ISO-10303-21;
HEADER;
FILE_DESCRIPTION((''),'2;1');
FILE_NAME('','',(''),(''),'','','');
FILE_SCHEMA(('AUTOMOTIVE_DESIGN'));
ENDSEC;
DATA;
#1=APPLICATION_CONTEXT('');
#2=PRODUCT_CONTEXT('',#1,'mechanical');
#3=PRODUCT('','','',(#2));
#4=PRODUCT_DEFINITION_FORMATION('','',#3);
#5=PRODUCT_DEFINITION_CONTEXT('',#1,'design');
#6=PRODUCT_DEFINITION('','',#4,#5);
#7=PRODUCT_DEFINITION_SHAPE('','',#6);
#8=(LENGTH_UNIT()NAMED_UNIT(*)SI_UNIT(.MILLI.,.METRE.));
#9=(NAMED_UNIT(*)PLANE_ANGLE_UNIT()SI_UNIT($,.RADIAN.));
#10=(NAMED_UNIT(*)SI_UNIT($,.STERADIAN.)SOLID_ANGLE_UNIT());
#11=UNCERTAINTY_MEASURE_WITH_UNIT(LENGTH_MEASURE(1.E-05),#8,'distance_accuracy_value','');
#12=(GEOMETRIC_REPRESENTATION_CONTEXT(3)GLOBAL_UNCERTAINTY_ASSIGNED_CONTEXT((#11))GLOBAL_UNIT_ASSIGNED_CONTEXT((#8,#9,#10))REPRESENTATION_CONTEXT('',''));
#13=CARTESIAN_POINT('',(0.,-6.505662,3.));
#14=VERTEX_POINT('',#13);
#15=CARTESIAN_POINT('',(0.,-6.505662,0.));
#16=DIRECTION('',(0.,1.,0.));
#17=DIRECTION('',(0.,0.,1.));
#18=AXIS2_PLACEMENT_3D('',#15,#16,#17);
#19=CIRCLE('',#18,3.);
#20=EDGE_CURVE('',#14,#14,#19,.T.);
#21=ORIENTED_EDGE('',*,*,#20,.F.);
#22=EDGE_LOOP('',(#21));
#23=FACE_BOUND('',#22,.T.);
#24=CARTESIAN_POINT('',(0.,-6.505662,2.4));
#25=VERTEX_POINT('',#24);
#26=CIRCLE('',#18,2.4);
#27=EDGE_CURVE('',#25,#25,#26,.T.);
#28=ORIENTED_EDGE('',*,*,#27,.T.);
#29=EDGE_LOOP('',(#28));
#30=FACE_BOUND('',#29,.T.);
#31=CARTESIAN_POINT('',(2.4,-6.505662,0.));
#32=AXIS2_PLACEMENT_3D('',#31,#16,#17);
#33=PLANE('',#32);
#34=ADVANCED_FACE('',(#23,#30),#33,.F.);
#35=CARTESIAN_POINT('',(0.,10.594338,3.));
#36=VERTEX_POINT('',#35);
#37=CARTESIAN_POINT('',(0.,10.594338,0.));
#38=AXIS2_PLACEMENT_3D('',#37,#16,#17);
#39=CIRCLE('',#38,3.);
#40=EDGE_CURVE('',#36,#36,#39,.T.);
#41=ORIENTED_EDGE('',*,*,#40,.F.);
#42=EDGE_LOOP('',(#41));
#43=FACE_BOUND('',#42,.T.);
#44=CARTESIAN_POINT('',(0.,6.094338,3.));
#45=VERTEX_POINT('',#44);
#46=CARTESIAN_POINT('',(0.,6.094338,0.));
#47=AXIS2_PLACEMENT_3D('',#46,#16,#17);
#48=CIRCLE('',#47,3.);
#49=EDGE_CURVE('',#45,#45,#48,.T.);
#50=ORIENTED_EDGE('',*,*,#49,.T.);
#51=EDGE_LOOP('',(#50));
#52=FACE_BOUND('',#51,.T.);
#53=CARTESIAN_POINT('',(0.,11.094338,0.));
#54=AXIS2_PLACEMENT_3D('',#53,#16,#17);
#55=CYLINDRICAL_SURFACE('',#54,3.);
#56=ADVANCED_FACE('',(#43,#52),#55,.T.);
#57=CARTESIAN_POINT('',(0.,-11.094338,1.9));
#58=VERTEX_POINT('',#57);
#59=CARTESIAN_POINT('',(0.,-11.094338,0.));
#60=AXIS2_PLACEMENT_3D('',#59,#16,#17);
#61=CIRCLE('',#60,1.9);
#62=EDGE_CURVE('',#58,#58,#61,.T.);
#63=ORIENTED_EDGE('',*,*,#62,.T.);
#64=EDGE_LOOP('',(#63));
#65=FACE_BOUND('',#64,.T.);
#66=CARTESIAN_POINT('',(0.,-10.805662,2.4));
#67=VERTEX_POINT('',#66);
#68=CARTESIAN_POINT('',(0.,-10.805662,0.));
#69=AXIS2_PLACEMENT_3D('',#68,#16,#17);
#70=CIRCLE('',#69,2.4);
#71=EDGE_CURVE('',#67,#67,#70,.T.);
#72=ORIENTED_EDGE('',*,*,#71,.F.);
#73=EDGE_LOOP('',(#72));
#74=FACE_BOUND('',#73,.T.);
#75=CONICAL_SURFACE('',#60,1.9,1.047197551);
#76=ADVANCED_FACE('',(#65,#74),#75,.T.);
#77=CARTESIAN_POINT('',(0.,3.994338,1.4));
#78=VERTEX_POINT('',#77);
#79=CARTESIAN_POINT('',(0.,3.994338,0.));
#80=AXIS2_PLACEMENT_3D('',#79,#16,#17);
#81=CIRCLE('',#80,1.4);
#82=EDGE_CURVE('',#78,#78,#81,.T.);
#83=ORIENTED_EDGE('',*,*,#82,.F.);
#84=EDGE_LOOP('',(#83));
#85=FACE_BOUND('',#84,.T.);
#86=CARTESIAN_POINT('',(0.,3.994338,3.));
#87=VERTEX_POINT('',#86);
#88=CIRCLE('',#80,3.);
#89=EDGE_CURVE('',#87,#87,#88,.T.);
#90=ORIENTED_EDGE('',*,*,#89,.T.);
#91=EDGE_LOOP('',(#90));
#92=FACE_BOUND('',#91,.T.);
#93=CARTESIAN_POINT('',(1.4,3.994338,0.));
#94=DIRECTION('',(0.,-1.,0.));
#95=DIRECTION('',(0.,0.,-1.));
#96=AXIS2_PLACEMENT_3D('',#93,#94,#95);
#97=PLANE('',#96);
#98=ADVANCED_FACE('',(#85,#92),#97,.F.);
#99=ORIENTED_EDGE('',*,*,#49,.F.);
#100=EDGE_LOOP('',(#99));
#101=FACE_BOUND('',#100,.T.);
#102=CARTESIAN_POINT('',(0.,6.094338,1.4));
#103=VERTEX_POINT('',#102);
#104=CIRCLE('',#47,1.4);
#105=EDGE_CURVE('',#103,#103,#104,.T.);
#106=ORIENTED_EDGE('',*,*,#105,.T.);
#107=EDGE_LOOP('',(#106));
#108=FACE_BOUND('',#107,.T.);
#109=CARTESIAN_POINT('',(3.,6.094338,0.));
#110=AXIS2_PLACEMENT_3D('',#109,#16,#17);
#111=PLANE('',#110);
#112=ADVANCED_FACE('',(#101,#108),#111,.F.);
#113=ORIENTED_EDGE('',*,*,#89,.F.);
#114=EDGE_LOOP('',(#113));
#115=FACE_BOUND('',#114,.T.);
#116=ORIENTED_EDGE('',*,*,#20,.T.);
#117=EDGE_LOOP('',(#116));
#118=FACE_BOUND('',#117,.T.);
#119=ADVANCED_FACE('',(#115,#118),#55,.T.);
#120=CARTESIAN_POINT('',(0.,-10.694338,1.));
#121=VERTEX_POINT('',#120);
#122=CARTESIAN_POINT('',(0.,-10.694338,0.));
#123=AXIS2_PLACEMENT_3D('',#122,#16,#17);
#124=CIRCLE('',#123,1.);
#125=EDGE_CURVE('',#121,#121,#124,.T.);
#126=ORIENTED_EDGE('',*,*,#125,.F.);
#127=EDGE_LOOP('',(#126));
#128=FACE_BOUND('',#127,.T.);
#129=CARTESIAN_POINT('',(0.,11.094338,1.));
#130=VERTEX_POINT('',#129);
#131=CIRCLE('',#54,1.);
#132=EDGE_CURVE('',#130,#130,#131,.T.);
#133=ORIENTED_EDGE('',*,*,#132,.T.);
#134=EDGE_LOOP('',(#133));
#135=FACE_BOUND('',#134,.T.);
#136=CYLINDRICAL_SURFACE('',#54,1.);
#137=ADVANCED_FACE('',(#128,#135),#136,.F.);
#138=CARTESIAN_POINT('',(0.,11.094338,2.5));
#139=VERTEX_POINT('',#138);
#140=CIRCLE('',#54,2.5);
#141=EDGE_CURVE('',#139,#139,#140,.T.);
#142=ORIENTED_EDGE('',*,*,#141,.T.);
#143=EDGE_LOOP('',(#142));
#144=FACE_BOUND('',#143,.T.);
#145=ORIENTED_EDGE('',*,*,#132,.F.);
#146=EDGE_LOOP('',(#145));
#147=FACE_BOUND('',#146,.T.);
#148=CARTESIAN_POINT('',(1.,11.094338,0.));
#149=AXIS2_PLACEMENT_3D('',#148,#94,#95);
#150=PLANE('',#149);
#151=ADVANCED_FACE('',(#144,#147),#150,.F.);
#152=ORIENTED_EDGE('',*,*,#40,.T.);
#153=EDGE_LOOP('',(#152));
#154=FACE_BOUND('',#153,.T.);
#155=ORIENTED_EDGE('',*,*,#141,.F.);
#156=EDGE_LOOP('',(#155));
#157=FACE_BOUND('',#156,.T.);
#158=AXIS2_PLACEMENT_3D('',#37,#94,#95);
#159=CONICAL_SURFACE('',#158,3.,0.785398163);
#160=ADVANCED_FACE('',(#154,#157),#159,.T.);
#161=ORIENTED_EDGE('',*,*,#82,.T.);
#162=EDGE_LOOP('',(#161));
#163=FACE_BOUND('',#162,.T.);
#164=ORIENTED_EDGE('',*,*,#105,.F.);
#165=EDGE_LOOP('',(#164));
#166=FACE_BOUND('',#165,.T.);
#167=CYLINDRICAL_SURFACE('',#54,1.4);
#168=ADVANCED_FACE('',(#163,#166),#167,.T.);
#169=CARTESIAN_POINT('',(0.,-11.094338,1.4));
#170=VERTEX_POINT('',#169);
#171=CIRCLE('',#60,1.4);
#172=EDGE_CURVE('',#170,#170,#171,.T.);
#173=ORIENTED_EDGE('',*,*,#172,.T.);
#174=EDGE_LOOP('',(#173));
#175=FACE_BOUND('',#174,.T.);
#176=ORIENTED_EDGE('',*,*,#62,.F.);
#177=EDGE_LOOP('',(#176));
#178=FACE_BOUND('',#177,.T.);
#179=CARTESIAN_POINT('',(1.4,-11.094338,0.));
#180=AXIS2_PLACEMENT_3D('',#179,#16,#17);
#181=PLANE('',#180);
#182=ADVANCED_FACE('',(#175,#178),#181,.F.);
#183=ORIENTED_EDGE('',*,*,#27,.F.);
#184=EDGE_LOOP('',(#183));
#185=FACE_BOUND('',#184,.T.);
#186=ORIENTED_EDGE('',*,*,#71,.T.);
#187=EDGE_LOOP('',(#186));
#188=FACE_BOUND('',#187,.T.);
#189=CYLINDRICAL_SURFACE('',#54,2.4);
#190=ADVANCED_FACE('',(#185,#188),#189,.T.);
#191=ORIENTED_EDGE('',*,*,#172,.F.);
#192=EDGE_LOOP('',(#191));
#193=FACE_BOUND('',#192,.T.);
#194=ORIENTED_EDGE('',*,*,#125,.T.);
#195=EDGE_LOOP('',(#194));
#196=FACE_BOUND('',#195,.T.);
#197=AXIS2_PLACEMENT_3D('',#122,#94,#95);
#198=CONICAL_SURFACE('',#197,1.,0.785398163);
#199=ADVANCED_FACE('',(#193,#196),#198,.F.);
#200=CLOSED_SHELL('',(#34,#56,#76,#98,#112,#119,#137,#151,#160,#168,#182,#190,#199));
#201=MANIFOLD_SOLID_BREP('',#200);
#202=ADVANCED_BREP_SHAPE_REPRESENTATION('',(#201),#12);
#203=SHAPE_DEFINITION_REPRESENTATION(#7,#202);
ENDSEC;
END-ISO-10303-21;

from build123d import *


with BuildPart() as part:
    # Sketch1 → Revolve1 (revolve)
    with BuildSketch(Plane.XY):
        Polygon((1, -10.694337567), (1, 11.094337567), (2.5, 11.094337567), (3, 10.594337567), (3, 6.094337567), (1.4, 6.094337567), (1.4, 3.994337567), (3, 3.994337567), (3, -6.505662433), (2.4, -6.505662433), (2.4, -10.805662433), (1.9, -11.094337567), (1.4, -11.094337567), align=None)
    revolve(axis=Axis((0, 11.094337567, 0), (0, -1, 0)))


solid = part.part
